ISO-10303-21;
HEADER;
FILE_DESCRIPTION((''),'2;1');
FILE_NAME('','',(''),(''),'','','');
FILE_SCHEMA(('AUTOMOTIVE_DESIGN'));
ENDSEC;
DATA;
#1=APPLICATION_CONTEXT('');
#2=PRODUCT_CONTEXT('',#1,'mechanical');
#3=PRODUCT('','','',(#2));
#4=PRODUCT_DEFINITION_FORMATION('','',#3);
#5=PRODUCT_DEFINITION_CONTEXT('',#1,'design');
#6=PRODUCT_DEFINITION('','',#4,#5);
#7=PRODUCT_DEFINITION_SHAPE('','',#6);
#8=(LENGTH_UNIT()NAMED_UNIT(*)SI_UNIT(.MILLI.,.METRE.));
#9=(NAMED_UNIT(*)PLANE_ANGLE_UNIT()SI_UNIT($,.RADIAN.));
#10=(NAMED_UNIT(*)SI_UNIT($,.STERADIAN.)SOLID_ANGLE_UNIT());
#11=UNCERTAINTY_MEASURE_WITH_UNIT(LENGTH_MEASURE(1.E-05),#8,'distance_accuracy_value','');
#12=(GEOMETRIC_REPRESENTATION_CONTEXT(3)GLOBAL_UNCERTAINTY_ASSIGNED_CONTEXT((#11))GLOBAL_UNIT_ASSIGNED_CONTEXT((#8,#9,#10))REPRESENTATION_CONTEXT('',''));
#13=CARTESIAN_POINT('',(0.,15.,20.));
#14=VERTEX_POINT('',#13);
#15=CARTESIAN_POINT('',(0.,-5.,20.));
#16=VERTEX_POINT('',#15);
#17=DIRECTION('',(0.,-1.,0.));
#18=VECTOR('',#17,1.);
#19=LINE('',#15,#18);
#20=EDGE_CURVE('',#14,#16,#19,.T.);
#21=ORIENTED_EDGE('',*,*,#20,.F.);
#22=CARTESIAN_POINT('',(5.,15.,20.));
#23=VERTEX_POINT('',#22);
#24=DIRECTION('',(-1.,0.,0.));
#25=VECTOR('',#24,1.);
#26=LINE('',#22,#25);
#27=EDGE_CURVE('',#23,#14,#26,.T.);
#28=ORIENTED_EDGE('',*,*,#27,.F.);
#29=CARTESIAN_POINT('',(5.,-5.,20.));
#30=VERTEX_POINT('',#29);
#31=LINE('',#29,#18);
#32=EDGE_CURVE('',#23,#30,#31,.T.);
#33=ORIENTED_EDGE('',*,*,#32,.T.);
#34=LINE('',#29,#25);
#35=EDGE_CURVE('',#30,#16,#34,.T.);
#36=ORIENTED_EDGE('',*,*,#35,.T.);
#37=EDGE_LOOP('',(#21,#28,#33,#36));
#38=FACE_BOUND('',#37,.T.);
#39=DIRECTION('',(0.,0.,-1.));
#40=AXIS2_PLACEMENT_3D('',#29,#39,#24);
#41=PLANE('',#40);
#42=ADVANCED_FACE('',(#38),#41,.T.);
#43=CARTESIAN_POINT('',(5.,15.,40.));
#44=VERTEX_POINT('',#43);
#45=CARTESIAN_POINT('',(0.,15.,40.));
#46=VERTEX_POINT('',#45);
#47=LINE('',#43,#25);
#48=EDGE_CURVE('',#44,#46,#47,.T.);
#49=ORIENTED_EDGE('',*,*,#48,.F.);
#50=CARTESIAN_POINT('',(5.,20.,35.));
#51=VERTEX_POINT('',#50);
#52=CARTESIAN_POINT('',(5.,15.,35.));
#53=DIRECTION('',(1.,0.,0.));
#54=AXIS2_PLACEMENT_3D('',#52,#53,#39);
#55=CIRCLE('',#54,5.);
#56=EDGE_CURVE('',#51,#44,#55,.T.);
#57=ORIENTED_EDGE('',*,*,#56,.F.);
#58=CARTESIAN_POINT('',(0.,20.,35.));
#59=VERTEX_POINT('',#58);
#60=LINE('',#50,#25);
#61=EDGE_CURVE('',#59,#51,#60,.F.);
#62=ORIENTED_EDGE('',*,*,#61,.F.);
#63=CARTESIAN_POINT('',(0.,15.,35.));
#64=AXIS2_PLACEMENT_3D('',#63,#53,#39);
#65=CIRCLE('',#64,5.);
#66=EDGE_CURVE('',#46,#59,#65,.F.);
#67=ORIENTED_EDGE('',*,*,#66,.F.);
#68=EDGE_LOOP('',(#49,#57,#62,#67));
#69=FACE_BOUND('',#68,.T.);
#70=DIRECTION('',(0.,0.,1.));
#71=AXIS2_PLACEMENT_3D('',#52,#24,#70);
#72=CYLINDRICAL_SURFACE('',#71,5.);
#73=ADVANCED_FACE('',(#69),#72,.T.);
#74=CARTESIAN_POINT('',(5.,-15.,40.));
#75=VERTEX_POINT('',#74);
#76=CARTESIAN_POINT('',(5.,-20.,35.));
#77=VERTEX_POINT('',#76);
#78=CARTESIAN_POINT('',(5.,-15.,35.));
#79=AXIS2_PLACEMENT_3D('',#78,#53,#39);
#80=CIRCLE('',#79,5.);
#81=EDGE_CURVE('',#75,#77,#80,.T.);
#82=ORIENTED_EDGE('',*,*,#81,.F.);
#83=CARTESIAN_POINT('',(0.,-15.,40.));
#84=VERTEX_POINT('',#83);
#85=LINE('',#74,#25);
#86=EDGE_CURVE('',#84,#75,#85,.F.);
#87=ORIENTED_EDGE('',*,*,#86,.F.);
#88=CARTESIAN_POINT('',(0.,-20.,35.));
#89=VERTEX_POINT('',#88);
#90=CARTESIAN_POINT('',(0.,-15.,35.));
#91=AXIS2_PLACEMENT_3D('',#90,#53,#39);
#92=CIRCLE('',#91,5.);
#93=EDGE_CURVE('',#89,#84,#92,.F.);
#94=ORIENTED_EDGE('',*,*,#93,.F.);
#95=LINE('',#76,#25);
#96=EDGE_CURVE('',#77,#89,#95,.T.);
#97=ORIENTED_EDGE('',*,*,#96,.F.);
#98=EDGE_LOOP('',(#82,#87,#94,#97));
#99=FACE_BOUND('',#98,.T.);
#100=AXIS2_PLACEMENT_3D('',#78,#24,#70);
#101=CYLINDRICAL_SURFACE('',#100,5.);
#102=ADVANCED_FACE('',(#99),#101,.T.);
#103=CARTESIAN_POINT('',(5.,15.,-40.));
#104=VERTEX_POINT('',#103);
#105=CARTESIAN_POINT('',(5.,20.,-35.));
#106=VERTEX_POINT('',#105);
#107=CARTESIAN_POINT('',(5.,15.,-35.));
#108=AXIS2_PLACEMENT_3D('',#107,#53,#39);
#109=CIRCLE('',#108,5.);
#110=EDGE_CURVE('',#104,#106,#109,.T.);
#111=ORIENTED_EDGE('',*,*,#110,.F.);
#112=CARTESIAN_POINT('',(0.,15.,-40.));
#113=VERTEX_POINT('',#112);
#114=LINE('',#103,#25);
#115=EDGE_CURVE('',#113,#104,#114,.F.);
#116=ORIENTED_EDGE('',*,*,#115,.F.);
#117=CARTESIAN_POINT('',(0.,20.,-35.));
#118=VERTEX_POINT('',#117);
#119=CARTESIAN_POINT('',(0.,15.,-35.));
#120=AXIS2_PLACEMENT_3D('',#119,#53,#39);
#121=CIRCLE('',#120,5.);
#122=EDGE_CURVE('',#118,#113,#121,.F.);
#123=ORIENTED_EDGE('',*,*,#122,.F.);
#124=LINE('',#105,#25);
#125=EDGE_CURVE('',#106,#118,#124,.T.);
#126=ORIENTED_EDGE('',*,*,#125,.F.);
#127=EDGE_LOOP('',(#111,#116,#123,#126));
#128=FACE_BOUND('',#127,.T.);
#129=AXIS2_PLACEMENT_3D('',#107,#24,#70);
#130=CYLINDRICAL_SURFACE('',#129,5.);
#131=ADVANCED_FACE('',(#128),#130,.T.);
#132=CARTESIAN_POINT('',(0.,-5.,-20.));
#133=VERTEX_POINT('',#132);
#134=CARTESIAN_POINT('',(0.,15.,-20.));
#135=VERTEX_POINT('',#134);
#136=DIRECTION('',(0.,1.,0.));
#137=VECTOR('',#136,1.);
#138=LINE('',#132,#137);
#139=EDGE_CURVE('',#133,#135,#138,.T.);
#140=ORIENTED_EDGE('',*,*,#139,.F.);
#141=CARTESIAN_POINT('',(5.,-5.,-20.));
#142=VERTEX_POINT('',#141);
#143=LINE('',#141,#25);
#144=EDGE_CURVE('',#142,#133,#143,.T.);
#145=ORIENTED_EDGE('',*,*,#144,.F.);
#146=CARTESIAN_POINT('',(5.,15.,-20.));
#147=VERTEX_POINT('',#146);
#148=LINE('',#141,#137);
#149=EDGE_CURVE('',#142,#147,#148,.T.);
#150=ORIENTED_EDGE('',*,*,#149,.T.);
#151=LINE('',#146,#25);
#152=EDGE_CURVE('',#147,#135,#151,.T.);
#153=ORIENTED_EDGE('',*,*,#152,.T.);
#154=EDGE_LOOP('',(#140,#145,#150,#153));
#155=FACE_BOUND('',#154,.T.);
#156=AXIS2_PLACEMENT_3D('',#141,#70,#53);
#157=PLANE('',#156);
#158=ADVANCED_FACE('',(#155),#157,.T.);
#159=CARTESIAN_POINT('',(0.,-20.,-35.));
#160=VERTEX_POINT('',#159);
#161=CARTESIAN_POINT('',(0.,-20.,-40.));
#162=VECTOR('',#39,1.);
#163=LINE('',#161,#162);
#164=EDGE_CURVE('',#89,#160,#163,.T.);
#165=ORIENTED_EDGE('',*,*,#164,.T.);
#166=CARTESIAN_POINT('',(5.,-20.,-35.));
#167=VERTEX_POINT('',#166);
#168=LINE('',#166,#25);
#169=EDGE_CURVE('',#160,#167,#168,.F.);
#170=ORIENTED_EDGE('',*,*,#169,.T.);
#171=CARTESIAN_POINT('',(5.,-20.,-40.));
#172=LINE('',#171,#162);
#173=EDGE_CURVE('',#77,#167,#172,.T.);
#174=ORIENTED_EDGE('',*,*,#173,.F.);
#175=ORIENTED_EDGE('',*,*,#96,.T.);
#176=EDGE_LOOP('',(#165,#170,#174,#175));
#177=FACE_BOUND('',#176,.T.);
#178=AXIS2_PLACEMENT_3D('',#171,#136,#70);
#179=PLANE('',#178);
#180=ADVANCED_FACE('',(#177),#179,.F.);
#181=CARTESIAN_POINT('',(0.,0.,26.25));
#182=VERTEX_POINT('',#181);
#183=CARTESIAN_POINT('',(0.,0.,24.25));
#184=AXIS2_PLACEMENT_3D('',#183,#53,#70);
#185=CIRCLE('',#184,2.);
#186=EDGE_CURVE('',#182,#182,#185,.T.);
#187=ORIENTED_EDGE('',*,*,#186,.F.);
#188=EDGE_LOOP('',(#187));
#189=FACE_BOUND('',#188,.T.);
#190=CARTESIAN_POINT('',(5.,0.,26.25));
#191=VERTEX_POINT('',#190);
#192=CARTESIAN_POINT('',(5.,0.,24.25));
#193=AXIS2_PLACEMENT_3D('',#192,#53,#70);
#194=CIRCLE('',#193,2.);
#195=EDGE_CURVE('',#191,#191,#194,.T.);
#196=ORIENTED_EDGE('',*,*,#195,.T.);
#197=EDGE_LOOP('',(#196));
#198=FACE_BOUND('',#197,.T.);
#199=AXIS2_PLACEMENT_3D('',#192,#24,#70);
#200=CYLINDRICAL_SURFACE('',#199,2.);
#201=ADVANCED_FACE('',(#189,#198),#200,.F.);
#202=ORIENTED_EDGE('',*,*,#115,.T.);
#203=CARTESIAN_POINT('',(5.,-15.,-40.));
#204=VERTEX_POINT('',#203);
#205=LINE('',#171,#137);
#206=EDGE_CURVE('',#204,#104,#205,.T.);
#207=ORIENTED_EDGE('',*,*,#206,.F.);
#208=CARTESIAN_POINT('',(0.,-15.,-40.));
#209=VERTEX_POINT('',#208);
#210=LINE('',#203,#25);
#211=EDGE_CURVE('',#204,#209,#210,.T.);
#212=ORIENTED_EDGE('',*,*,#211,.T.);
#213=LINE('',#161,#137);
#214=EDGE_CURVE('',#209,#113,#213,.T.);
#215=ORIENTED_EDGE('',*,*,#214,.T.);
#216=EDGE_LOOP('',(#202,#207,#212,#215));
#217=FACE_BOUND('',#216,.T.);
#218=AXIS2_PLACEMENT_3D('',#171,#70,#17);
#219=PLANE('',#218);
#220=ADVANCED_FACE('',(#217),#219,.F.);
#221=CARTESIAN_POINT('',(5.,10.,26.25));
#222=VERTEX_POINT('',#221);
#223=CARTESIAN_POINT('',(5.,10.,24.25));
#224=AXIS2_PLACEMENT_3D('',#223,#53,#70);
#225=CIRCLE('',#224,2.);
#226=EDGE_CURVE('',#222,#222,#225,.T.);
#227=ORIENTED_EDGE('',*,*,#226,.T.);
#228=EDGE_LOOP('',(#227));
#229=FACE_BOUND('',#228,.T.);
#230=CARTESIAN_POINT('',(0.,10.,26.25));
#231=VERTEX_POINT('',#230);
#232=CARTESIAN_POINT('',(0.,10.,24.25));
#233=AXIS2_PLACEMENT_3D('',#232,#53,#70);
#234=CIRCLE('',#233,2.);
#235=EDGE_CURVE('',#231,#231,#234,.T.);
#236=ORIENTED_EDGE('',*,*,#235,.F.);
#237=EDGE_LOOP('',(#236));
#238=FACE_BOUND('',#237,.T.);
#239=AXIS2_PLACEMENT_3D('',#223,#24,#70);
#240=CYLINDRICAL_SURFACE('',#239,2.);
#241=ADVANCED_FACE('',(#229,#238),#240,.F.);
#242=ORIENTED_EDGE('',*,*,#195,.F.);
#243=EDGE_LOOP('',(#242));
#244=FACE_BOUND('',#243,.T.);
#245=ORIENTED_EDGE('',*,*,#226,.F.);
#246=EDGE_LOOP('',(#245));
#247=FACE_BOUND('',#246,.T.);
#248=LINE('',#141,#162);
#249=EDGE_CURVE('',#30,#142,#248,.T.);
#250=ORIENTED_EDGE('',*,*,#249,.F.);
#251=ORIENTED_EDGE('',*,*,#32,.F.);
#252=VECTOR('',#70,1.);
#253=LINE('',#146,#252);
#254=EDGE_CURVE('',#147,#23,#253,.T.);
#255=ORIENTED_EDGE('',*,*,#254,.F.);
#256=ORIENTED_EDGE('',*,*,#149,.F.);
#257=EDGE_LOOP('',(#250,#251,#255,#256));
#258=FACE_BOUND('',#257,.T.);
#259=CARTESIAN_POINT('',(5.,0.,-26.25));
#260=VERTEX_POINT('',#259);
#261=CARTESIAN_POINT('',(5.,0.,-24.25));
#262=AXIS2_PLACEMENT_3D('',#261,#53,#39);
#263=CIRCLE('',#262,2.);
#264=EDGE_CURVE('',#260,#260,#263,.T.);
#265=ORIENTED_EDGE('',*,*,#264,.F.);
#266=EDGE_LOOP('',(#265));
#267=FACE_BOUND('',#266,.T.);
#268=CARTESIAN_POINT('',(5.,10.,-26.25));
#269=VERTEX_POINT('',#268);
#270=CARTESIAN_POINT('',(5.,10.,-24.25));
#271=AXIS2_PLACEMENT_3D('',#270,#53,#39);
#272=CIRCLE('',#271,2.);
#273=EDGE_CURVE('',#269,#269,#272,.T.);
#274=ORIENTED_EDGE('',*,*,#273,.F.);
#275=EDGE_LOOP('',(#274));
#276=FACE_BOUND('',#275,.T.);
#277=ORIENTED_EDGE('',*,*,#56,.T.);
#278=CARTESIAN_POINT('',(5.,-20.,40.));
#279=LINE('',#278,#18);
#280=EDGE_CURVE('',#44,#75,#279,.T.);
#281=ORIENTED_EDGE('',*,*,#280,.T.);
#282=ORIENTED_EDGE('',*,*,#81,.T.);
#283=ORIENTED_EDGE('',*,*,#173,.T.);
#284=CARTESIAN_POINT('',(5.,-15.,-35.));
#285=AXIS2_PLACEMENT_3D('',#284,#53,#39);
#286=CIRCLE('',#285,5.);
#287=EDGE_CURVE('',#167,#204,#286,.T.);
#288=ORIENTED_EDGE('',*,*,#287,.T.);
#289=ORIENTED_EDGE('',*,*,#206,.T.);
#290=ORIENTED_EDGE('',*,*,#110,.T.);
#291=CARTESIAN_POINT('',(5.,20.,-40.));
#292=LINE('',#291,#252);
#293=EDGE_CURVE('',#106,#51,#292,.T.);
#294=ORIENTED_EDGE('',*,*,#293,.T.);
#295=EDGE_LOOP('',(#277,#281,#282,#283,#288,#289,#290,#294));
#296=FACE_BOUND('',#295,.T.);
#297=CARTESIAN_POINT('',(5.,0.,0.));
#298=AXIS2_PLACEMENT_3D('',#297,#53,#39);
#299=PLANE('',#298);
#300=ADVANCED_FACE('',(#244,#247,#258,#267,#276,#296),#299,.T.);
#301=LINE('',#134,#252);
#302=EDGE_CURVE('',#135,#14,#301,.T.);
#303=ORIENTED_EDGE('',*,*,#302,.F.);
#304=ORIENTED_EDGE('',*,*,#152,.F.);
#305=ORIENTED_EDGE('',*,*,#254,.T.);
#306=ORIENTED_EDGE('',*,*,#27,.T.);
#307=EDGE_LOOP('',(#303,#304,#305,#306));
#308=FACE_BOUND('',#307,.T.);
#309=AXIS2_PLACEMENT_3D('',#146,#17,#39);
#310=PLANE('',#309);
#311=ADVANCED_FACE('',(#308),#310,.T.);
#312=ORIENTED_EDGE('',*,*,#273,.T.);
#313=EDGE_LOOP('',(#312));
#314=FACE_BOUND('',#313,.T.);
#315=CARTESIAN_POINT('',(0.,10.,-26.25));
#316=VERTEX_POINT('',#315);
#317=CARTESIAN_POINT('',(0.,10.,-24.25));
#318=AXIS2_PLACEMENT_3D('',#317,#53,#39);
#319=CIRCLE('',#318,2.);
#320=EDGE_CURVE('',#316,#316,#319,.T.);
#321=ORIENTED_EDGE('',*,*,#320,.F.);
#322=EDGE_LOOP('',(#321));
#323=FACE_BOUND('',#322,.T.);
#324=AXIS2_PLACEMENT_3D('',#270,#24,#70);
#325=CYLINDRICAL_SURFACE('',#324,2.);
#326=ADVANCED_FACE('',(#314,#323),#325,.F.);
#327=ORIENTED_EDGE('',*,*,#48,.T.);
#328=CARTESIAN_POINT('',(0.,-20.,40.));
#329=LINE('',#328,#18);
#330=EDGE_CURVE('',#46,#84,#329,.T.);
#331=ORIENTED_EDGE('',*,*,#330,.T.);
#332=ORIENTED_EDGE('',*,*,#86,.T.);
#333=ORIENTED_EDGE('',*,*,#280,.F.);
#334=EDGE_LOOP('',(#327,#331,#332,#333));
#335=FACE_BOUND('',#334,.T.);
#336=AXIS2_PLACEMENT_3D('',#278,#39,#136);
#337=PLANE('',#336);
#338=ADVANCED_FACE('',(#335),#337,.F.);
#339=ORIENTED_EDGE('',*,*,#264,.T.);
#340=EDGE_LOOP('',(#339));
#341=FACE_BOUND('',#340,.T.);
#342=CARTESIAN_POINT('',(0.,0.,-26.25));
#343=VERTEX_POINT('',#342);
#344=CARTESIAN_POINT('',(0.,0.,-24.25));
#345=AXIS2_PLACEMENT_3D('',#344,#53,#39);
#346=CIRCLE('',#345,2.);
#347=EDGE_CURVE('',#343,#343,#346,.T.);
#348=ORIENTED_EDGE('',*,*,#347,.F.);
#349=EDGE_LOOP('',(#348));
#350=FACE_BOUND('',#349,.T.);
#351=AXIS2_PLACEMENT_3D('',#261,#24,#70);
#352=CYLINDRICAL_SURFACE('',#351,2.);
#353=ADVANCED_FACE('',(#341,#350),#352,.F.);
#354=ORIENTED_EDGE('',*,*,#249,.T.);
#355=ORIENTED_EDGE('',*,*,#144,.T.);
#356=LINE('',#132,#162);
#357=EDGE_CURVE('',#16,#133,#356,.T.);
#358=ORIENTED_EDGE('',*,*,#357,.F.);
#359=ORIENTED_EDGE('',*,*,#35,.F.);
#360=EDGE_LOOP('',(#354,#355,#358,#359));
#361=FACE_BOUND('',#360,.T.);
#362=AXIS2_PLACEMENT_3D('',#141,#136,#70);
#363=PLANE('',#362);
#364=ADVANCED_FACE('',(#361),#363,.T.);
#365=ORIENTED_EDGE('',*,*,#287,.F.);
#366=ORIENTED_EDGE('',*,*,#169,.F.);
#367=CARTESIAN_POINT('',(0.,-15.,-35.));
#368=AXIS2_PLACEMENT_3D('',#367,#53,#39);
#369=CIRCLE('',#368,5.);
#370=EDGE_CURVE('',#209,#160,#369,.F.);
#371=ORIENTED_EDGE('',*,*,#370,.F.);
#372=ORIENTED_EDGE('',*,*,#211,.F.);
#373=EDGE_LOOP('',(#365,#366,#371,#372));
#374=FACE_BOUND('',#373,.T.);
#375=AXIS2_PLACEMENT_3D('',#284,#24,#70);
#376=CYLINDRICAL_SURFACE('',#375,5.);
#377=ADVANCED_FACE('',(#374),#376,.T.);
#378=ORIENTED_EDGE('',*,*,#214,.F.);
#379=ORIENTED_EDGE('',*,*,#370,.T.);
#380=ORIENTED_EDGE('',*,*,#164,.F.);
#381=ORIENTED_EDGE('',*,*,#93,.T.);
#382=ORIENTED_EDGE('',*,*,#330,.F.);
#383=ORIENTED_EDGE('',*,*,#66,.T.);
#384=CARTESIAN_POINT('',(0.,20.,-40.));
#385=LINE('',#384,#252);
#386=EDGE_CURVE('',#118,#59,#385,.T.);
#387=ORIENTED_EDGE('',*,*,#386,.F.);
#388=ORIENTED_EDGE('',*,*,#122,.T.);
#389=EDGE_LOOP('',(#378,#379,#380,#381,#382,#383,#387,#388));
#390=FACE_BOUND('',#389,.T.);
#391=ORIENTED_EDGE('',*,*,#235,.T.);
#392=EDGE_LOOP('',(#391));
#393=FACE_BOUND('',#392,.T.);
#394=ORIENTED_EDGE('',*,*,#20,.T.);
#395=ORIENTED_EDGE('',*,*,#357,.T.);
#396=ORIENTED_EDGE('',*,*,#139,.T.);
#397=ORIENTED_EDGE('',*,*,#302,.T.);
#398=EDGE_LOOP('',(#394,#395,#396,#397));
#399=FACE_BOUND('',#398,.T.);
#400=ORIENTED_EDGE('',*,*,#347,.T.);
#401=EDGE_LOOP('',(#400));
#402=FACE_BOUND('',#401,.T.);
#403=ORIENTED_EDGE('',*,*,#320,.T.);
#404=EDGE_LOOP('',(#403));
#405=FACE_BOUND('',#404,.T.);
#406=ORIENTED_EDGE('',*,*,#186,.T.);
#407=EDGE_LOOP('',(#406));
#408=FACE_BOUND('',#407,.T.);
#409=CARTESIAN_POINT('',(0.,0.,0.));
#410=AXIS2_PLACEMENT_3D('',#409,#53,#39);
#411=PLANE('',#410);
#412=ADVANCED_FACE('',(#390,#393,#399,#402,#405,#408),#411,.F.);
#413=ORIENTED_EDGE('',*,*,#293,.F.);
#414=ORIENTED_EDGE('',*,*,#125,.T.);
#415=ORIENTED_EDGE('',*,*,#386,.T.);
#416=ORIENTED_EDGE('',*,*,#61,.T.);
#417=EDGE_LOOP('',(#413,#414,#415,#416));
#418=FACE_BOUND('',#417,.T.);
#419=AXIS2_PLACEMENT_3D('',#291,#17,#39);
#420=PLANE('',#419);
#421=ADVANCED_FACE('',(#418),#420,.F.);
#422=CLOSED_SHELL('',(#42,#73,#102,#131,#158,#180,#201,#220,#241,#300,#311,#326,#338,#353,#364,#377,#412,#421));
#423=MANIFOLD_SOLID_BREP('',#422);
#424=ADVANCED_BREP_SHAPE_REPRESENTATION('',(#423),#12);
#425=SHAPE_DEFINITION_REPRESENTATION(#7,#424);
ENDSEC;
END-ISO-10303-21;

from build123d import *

# Parameters (mm, degrees)
SKETCH1_W           = 80
SKETCH1_H           = 40
SKETCH1_R           = 2
SKETCH1_W_2         = 40
SKETCH1_H_2         = 20
BOSS_EXTRUDE1_DEPTH = 5
FILLET1_R           = 5


with BuildPart() as part:
    # Sketch1 → Boss-Extrude1 (new body)
    with BuildSketch(Plane(origin=(0, 0, 0), x_dir=(0, 0, -1), z_dir=(1, 0, 0))):
        Rectangle(SKETCH1_W, SKETCH1_H)
        with Locations((24.25, 10)):
            Circle(SKETCH1_R, mode=Mode.SUBTRACT)
        with Locations((24.25, 0)):
            Circle(SKETCH1_R, mode=Mode.SUBTRACT)
        with Locations(Location((-24.25, 10, 0), (0, 0, 180))):
            Circle(SKETCH1_R, mode=Mode.SUBTRACT)
        with Locations(Location((-24.25, 0, 0), (0, 0, 180))):
            Circle(SKETCH1_R, mode=Mode.SUBTRACT)
        with Locations((0, 5)):
            Rectangle(SKETCH1_W_2, SKETCH1_H_2, mode=Mode.SUBTRACT)
    extrude(amount=BOSS_EXTRUDE1_DEPTH)

    # Fillet1
    fillet1_edges = [part.edges().sort_by_distance(p)[0] for p in [
        (2.5, 20, 40),
        (2.5, 20, -40),
        (2.5, -20, -40),
        (2.5, -20, 40),
    ]]
    fillet(fillet1_edges, radius=FILLET1_R)


solid = part.part
